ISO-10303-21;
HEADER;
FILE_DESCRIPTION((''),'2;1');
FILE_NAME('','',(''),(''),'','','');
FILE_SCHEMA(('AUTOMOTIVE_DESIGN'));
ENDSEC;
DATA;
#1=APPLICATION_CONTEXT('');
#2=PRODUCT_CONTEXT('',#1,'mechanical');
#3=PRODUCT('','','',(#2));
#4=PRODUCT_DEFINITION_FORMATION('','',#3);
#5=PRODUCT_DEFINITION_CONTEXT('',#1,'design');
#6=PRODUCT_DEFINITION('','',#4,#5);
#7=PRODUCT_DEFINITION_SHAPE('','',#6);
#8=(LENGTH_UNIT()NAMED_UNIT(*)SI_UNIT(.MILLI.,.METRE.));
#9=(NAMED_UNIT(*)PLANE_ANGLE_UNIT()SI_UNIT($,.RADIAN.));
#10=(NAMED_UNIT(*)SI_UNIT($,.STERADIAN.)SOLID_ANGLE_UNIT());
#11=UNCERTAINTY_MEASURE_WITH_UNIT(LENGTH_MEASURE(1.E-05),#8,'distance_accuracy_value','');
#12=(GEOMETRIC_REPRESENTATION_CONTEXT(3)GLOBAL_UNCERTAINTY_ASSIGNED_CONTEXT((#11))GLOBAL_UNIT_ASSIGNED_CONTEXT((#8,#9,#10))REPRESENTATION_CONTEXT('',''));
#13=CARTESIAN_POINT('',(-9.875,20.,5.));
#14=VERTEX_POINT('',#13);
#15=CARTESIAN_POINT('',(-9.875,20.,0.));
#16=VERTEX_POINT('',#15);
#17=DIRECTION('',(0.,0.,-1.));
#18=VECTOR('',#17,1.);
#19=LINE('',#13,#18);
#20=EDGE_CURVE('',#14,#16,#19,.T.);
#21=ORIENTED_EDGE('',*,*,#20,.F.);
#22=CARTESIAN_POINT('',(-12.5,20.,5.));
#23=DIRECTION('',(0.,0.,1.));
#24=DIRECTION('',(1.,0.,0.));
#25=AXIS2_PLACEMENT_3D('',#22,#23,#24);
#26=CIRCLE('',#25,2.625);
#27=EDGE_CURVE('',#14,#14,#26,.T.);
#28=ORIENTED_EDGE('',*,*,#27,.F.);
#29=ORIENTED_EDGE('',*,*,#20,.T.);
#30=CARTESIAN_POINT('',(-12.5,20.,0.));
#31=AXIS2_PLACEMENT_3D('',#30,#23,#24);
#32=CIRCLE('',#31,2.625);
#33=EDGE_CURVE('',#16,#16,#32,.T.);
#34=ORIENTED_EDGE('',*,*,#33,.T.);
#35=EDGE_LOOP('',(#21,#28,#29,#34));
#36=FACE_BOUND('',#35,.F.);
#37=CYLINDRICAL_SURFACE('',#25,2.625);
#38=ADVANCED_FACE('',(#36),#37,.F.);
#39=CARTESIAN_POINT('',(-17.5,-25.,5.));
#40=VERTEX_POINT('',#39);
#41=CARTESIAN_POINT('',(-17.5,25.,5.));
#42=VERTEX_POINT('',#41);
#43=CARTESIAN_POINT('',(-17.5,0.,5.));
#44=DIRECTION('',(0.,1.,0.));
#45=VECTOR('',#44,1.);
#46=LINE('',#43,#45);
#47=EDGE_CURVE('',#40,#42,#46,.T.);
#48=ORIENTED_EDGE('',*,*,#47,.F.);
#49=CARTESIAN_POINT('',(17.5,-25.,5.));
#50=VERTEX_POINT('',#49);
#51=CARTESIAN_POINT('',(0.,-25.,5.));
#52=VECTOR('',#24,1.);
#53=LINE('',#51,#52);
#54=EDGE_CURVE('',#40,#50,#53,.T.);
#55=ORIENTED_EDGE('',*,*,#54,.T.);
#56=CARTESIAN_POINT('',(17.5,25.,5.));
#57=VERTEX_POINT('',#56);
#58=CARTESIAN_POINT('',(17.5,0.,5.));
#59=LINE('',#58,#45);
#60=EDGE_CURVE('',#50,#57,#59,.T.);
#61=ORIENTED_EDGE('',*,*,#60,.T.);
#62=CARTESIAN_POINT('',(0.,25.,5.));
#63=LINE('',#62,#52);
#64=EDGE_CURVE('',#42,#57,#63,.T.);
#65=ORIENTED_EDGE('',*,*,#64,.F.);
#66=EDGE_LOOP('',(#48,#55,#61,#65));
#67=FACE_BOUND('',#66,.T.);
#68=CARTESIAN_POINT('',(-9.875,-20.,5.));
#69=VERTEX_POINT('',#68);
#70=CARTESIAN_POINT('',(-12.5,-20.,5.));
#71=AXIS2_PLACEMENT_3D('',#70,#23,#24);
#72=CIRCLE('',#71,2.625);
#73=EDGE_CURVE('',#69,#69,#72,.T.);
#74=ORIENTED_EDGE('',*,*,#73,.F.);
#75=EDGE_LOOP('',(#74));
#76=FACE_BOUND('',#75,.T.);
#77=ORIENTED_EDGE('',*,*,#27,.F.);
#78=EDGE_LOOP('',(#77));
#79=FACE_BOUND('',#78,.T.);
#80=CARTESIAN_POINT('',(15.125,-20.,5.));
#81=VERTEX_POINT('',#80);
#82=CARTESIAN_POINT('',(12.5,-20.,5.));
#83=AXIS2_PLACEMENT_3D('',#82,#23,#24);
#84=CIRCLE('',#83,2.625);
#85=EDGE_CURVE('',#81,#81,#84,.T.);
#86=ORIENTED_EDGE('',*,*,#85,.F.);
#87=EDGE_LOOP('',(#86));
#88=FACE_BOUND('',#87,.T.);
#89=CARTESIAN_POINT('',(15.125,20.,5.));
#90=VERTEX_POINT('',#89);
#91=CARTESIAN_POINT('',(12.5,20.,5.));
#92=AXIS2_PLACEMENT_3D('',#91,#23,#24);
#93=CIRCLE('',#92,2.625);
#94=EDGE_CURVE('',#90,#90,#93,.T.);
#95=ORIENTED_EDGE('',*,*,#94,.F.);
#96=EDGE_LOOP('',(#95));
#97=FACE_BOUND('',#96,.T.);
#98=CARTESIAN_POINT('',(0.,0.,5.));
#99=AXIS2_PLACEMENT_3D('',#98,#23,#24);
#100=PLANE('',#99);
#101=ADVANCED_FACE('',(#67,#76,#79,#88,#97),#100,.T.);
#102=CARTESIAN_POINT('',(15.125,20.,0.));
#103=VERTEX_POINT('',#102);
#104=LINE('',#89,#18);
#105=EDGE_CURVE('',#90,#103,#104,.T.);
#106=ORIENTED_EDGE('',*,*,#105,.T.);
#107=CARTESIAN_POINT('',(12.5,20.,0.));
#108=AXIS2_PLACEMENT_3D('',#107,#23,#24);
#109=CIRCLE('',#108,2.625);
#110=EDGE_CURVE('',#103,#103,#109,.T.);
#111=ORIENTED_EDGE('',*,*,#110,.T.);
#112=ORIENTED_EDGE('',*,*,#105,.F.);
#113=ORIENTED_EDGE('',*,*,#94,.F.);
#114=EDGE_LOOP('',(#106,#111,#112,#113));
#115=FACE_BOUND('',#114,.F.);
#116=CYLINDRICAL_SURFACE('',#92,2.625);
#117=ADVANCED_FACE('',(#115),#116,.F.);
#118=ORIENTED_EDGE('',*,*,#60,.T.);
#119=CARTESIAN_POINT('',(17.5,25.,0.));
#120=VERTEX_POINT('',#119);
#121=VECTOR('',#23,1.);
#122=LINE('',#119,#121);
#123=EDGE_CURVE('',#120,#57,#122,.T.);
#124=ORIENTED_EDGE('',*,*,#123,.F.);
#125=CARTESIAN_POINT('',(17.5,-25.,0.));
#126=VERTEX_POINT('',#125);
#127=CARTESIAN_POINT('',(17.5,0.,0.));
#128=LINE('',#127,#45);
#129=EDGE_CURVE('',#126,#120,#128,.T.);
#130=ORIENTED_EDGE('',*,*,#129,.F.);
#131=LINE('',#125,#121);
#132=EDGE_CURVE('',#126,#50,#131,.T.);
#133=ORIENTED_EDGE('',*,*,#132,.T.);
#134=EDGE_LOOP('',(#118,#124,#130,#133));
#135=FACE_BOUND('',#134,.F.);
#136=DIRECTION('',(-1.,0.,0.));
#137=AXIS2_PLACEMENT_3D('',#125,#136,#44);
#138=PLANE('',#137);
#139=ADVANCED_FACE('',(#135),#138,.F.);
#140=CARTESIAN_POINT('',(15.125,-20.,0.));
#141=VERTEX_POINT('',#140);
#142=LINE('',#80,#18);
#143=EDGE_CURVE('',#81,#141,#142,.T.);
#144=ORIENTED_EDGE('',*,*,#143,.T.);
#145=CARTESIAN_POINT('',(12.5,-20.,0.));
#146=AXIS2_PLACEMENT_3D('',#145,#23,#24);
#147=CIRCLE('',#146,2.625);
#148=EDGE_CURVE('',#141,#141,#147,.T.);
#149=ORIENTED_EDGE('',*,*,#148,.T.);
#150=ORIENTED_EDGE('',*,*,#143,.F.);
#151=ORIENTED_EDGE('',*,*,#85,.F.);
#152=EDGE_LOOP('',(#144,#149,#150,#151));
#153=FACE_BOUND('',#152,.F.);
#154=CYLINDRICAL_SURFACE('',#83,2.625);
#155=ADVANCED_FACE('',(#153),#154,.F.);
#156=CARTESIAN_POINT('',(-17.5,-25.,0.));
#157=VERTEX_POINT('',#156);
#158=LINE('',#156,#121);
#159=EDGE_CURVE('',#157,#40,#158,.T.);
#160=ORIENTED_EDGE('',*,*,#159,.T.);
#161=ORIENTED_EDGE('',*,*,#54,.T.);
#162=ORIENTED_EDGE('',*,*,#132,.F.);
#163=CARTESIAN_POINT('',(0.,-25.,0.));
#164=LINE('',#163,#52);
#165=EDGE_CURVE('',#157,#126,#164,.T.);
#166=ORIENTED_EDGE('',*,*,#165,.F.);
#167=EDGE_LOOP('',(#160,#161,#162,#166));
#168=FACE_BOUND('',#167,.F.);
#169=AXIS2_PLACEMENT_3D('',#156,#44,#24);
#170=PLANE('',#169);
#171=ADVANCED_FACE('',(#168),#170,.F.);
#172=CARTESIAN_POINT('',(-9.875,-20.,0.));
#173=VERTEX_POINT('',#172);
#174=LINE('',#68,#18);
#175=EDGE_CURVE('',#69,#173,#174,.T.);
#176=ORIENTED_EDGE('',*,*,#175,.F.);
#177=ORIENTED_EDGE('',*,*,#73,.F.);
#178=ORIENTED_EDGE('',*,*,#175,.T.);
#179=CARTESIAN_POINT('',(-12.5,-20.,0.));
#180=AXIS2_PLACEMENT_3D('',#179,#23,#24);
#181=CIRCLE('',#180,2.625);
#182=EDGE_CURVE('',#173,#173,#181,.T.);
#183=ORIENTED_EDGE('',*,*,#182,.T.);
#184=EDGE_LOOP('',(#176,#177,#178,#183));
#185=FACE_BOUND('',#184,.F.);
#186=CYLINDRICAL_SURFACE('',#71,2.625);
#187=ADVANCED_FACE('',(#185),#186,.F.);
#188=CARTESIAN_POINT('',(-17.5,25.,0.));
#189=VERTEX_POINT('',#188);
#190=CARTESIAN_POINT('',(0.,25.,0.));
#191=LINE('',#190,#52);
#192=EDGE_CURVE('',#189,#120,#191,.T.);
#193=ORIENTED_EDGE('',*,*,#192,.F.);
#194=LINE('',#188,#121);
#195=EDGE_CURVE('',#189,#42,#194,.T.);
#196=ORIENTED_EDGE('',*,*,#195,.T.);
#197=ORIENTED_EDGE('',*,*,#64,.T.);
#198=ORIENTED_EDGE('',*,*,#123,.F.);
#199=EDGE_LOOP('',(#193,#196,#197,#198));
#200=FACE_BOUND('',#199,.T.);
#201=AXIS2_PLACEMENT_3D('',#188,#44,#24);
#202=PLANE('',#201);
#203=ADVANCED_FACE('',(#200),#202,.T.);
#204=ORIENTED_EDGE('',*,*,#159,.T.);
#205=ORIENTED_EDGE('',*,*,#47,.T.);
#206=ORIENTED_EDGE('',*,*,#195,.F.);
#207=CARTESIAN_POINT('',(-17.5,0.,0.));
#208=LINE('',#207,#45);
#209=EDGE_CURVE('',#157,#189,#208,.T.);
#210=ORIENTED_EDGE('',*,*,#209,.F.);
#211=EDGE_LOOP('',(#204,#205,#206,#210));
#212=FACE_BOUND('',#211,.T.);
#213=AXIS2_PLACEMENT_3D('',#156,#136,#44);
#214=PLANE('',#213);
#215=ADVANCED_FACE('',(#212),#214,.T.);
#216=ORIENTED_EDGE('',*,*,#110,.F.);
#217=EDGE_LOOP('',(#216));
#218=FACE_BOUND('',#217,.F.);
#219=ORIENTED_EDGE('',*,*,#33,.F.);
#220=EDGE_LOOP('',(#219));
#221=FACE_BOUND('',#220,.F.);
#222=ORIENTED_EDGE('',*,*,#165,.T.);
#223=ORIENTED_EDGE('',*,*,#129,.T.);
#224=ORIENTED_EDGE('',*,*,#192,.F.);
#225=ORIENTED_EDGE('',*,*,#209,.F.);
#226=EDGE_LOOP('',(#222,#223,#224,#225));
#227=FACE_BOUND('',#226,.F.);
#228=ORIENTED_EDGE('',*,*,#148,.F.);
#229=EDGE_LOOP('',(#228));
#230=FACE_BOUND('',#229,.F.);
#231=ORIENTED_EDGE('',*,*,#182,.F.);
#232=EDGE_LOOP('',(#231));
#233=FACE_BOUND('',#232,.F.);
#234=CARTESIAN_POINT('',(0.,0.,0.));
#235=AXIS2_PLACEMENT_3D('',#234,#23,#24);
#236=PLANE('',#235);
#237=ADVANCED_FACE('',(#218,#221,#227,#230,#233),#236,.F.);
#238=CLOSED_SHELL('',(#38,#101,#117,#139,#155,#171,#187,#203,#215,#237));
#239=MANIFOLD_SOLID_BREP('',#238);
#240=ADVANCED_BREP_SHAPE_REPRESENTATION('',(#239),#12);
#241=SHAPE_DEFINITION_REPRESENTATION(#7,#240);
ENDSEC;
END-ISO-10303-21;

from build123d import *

# Parameters (mm, degrees)
SKETCH_W     = 35
SKETCH_H     = 50
PAD_DEPTH    = 5
SKETCH001_R  = 2.625
POCKET_DEPTH = 5


with BuildPart() as part:
    # Sketch → Pad (new body)
    with BuildSketch(Plane.XY):
        Rectangle(SKETCH_W, SKETCH_H)
    extrude(amount=PAD_DEPTH)

    # Sketch001 (on Face6 of Pad) → Pocket (cut)
    with BuildSketch(Plane.XY.offset(5)):
        with Locations((-12.5, 20)):
            Circle(SKETCH001_R)
        with Locations((-12.5, -20)):
            Circle(SKETCH001_R)
        with Locations((12.5, -20)):
            Circle(SKETCH001_R)
        with Locations((12.5, 20)):
            Circle(SKETCH001_R)
    extrude(amount=-POCKET_DEPTH, mode=Mode.SUBTRACT)


solid = part.part
